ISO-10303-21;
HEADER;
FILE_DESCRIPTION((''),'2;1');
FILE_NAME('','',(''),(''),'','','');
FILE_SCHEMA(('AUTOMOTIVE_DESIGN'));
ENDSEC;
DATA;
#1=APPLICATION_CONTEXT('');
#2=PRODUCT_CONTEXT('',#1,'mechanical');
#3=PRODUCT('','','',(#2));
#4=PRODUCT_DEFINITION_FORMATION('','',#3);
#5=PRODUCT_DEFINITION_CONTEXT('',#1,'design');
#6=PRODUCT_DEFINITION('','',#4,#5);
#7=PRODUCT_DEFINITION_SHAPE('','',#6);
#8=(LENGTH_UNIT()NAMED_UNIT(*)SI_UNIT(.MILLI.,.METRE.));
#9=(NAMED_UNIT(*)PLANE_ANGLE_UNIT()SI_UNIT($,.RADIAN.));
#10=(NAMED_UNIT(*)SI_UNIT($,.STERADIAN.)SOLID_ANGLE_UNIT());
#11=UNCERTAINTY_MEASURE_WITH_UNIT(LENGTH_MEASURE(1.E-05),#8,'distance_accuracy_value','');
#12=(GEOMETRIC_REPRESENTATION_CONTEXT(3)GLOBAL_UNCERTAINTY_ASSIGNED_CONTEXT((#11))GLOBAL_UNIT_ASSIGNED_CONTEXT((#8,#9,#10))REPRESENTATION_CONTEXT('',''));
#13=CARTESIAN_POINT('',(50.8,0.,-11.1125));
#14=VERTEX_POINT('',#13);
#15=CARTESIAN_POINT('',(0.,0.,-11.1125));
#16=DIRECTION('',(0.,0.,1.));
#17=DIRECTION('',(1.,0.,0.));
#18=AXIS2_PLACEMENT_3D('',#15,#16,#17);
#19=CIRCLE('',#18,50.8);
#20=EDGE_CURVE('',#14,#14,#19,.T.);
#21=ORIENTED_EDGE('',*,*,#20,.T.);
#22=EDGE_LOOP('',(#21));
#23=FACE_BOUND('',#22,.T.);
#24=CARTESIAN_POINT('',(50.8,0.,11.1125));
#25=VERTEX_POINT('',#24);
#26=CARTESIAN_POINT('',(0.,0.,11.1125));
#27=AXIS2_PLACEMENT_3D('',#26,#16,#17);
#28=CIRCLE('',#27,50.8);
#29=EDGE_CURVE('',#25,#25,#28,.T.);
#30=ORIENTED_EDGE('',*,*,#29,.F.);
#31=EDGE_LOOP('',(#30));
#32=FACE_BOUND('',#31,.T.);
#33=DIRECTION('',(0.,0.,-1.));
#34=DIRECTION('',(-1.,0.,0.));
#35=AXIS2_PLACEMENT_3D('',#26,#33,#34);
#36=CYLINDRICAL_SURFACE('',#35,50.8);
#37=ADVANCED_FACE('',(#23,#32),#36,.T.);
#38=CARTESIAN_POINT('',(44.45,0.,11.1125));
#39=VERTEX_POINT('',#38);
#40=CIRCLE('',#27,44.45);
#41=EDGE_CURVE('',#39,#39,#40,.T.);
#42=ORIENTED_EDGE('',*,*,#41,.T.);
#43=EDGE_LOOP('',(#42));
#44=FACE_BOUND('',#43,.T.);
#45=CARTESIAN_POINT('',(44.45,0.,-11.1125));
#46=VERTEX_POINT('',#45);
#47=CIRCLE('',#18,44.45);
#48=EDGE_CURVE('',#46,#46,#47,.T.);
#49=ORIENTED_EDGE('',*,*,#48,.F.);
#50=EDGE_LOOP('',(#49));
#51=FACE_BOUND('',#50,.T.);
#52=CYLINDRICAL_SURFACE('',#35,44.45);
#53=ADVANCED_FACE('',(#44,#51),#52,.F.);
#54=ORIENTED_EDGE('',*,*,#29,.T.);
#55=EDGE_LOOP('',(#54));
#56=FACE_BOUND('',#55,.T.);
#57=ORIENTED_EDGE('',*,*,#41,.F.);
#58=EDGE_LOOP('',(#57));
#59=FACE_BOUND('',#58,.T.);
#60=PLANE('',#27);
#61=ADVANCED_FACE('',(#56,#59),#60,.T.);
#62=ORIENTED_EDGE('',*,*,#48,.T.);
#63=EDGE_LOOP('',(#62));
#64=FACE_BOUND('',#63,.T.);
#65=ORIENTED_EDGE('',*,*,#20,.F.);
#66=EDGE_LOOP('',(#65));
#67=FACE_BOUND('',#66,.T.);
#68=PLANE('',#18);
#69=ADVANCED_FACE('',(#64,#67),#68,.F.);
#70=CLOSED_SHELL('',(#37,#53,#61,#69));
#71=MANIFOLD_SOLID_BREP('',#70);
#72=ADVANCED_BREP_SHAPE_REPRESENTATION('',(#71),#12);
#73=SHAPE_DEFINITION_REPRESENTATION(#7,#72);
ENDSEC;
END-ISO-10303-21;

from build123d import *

# Parameters (mm, degrees)
SKETCH1_R           = 50.8
SKETCH1_R_2         = 44.45
BOSS_EXTRUDE1_DEPTH = 11.1125


with BuildPart() as part:
    # Sketch1 → Boss-Extrude1 (new, symmetric)
    with BuildSketch(Plane.XY):
        Circle(SKETCH1_R)
        Circle(SKETCH1_R_2, mode=Mode.SUBTRACT)
    extrude(amount=BOSS_EXTRUDE1_DEPTH, both=True)


solid = part.part
